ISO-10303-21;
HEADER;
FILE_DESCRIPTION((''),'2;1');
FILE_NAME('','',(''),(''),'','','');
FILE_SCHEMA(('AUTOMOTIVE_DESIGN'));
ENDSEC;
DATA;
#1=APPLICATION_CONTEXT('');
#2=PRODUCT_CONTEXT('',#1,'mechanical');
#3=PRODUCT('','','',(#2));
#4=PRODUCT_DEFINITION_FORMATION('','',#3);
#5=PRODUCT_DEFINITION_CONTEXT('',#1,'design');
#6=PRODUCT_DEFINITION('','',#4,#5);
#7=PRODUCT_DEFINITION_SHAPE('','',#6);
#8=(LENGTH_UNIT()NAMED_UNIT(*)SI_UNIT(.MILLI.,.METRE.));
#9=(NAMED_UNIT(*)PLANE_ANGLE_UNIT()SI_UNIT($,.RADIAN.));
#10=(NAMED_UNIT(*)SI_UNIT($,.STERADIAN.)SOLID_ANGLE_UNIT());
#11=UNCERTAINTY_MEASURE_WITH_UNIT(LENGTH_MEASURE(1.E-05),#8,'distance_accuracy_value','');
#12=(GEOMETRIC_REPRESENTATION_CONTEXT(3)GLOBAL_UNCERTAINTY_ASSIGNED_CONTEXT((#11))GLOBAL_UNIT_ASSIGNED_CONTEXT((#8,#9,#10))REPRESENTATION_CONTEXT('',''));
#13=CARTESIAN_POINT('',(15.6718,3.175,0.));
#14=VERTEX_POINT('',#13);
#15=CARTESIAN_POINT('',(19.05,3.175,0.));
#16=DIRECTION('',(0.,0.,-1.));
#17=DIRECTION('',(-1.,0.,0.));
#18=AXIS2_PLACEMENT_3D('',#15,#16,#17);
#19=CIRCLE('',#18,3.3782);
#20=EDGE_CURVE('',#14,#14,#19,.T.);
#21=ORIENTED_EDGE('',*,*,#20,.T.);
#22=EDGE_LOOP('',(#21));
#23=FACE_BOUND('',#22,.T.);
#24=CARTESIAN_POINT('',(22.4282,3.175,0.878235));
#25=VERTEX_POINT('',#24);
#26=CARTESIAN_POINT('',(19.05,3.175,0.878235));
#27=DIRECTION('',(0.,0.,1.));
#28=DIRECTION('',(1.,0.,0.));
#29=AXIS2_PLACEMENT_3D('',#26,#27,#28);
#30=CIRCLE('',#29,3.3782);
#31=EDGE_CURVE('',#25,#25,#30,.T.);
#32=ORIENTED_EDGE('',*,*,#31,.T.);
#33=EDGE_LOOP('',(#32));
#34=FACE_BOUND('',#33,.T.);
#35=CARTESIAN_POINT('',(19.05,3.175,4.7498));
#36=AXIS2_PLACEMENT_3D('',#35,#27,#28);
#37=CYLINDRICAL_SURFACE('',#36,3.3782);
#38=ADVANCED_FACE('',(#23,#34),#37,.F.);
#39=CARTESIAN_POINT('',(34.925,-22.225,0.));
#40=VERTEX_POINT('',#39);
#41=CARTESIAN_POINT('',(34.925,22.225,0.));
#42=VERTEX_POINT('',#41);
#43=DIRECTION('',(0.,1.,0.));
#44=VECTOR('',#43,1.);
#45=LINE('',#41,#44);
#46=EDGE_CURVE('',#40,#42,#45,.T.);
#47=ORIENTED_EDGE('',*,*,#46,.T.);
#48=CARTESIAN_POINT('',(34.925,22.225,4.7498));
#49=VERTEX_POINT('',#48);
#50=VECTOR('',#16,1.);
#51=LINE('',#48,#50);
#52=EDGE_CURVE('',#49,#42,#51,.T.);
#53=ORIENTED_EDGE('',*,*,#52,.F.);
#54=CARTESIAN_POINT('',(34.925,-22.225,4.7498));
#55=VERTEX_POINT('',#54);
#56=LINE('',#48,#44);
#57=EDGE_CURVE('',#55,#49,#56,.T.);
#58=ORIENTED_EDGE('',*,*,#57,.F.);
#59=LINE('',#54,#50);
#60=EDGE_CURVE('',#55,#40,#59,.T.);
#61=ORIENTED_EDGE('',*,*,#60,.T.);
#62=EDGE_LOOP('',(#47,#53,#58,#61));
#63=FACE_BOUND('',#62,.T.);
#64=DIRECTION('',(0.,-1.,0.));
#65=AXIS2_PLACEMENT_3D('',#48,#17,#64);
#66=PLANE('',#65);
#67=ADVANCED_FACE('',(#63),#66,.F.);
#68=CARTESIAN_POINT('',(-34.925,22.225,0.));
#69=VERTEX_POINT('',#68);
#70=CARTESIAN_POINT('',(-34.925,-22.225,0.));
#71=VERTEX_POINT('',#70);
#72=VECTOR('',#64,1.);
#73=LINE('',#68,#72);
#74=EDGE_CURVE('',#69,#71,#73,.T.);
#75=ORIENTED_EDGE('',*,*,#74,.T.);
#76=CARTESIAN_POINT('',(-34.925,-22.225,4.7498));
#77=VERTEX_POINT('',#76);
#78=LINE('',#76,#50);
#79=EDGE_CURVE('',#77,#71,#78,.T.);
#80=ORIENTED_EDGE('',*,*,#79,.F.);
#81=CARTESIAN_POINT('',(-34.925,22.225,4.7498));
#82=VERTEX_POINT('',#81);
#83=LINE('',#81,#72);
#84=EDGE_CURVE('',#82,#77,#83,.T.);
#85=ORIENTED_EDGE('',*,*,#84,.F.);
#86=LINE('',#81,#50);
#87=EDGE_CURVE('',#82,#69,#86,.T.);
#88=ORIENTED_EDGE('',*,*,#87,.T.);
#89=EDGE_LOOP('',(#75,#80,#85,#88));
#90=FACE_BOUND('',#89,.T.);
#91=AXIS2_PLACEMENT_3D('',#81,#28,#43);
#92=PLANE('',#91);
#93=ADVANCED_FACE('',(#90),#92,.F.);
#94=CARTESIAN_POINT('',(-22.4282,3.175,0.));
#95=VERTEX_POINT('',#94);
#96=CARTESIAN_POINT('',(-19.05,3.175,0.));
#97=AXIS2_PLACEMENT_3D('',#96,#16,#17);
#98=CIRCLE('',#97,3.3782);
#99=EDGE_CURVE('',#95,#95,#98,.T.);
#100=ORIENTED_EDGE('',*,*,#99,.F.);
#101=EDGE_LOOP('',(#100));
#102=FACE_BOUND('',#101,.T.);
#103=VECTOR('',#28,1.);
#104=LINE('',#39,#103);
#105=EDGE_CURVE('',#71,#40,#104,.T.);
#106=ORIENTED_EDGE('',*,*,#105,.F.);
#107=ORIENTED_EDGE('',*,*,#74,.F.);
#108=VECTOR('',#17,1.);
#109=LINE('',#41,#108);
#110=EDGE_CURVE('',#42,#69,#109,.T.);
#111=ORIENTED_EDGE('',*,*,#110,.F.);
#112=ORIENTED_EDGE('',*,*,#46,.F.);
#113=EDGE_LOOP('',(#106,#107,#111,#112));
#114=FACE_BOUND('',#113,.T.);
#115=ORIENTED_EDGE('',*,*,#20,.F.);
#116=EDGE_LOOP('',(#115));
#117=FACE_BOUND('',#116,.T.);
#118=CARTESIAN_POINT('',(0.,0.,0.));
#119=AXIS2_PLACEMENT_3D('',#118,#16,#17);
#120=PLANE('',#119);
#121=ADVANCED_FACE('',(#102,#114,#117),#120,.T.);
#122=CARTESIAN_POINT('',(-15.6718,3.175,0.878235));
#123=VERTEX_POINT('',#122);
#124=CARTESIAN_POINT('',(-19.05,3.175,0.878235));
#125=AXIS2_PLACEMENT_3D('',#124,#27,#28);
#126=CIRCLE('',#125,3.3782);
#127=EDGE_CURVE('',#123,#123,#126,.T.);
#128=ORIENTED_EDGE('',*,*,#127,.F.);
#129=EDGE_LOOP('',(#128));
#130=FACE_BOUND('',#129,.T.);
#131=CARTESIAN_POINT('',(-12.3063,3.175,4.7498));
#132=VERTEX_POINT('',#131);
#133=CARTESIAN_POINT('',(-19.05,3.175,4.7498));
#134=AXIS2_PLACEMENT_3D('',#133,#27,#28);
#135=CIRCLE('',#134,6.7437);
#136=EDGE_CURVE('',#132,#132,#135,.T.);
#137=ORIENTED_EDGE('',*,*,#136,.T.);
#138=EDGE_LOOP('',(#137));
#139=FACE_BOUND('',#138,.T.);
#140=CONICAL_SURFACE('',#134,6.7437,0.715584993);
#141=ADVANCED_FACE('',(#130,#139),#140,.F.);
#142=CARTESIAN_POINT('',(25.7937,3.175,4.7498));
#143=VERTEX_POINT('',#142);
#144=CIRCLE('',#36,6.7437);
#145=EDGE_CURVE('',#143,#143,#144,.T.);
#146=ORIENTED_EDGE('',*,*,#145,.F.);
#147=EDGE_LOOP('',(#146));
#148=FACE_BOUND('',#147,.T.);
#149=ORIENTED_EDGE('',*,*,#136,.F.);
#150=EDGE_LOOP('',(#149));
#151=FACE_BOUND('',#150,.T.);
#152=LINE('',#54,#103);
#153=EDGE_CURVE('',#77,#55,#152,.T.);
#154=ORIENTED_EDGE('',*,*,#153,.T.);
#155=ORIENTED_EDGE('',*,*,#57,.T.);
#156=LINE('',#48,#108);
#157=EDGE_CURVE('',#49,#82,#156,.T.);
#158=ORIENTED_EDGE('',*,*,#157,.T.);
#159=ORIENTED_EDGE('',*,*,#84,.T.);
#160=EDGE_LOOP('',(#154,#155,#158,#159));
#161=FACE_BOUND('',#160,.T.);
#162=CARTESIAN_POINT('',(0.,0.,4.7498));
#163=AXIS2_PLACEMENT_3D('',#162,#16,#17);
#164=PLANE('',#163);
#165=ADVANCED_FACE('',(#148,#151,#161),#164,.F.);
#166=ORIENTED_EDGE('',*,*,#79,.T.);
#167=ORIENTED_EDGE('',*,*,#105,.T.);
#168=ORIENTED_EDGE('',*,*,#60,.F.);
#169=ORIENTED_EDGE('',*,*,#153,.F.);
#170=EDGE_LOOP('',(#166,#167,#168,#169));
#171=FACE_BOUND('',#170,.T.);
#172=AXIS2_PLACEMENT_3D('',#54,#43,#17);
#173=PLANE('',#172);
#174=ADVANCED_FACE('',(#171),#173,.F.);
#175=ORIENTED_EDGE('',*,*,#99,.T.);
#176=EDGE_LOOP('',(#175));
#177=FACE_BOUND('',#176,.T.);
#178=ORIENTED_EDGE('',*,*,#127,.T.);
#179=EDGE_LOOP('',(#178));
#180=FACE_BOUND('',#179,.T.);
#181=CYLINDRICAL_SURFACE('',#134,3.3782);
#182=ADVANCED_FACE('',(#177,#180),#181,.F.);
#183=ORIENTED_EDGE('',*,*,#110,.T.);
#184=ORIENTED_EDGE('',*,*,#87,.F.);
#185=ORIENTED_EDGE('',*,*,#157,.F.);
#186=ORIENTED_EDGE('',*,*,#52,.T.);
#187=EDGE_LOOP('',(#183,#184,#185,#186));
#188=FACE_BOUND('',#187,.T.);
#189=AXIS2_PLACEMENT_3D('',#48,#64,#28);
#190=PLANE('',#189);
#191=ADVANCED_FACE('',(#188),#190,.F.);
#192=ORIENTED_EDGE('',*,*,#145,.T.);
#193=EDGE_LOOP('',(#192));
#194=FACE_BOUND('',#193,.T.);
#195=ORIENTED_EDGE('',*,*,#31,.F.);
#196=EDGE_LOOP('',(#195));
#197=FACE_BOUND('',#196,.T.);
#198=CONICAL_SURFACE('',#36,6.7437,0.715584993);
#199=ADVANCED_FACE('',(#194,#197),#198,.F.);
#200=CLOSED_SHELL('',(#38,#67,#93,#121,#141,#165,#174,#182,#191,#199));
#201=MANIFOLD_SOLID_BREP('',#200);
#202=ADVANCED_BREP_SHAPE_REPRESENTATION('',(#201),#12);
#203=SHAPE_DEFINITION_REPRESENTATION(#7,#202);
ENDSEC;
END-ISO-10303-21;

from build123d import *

# Parameters (mm, degrees)
SKETCH1_W                                    = 69.85
SKETCH1_H                                    = 44.45
BOSS_EXTRUDE1_DEPTH                          = 4.7498
CSK_FOR_1_4_FLAT_HEAD_SOCKET_CAP_SCR_2_COUNT = 2
CSK_FOR_1_4_FLAT_HEAD_SOCKET_CAP_SCR_2_PITCH = 38.1


with BuildPart() as part:
    # Sketch1 → Boss-Extrude1 (new body)
    with BuildSketch(Plane.XY):
        Rectangle(SKETCH1_W, SKETCH1_H)
    extrude(amount=BOSS_EXTRUDE1_DEPTH)

    # Sketch3 → CSK for 1/4 Flat Head Socket Cap Screw1 (revolve, cut)
    with BuildSketch(Plane(origin=(-19.05, 3.175, 4.7498), x_dir=(0, -1, 0), z_dir=(1, 0, 0))):
        Polygon((0, 0), (0, 4.7498), (3.3782, 4.7498), (3.3782, 3.871564875), (6.7437, 0), align=None)
    csk_for_1_4_flat_head_socket_cap_screw1 = revolve(axis=Axis((-19.05, 3.175, 11.0998), (0, 0, -1)), mode=Mode.SUBTRACT)

    # CSK for 1_4 Flat Head Socket Cap Scr 2: CSK for 1/4 Flat Head Socket Cap Screw1 ×2
    with Locations(*[(i * CSK_FOR_1_4_FLAT_HEAD_SOCKET_CAP_SCR_2_PITCH, 0, 0) for i in range(1, CSK_FOR_1_4_FLAT_HEAD_SOCKET_CAP_SCR_2_COUNT)]):
        add(csk_for_1_4_flat_head_socket_cap_screw1, mode=Mode.SUBTRACT)


solid = part.part
